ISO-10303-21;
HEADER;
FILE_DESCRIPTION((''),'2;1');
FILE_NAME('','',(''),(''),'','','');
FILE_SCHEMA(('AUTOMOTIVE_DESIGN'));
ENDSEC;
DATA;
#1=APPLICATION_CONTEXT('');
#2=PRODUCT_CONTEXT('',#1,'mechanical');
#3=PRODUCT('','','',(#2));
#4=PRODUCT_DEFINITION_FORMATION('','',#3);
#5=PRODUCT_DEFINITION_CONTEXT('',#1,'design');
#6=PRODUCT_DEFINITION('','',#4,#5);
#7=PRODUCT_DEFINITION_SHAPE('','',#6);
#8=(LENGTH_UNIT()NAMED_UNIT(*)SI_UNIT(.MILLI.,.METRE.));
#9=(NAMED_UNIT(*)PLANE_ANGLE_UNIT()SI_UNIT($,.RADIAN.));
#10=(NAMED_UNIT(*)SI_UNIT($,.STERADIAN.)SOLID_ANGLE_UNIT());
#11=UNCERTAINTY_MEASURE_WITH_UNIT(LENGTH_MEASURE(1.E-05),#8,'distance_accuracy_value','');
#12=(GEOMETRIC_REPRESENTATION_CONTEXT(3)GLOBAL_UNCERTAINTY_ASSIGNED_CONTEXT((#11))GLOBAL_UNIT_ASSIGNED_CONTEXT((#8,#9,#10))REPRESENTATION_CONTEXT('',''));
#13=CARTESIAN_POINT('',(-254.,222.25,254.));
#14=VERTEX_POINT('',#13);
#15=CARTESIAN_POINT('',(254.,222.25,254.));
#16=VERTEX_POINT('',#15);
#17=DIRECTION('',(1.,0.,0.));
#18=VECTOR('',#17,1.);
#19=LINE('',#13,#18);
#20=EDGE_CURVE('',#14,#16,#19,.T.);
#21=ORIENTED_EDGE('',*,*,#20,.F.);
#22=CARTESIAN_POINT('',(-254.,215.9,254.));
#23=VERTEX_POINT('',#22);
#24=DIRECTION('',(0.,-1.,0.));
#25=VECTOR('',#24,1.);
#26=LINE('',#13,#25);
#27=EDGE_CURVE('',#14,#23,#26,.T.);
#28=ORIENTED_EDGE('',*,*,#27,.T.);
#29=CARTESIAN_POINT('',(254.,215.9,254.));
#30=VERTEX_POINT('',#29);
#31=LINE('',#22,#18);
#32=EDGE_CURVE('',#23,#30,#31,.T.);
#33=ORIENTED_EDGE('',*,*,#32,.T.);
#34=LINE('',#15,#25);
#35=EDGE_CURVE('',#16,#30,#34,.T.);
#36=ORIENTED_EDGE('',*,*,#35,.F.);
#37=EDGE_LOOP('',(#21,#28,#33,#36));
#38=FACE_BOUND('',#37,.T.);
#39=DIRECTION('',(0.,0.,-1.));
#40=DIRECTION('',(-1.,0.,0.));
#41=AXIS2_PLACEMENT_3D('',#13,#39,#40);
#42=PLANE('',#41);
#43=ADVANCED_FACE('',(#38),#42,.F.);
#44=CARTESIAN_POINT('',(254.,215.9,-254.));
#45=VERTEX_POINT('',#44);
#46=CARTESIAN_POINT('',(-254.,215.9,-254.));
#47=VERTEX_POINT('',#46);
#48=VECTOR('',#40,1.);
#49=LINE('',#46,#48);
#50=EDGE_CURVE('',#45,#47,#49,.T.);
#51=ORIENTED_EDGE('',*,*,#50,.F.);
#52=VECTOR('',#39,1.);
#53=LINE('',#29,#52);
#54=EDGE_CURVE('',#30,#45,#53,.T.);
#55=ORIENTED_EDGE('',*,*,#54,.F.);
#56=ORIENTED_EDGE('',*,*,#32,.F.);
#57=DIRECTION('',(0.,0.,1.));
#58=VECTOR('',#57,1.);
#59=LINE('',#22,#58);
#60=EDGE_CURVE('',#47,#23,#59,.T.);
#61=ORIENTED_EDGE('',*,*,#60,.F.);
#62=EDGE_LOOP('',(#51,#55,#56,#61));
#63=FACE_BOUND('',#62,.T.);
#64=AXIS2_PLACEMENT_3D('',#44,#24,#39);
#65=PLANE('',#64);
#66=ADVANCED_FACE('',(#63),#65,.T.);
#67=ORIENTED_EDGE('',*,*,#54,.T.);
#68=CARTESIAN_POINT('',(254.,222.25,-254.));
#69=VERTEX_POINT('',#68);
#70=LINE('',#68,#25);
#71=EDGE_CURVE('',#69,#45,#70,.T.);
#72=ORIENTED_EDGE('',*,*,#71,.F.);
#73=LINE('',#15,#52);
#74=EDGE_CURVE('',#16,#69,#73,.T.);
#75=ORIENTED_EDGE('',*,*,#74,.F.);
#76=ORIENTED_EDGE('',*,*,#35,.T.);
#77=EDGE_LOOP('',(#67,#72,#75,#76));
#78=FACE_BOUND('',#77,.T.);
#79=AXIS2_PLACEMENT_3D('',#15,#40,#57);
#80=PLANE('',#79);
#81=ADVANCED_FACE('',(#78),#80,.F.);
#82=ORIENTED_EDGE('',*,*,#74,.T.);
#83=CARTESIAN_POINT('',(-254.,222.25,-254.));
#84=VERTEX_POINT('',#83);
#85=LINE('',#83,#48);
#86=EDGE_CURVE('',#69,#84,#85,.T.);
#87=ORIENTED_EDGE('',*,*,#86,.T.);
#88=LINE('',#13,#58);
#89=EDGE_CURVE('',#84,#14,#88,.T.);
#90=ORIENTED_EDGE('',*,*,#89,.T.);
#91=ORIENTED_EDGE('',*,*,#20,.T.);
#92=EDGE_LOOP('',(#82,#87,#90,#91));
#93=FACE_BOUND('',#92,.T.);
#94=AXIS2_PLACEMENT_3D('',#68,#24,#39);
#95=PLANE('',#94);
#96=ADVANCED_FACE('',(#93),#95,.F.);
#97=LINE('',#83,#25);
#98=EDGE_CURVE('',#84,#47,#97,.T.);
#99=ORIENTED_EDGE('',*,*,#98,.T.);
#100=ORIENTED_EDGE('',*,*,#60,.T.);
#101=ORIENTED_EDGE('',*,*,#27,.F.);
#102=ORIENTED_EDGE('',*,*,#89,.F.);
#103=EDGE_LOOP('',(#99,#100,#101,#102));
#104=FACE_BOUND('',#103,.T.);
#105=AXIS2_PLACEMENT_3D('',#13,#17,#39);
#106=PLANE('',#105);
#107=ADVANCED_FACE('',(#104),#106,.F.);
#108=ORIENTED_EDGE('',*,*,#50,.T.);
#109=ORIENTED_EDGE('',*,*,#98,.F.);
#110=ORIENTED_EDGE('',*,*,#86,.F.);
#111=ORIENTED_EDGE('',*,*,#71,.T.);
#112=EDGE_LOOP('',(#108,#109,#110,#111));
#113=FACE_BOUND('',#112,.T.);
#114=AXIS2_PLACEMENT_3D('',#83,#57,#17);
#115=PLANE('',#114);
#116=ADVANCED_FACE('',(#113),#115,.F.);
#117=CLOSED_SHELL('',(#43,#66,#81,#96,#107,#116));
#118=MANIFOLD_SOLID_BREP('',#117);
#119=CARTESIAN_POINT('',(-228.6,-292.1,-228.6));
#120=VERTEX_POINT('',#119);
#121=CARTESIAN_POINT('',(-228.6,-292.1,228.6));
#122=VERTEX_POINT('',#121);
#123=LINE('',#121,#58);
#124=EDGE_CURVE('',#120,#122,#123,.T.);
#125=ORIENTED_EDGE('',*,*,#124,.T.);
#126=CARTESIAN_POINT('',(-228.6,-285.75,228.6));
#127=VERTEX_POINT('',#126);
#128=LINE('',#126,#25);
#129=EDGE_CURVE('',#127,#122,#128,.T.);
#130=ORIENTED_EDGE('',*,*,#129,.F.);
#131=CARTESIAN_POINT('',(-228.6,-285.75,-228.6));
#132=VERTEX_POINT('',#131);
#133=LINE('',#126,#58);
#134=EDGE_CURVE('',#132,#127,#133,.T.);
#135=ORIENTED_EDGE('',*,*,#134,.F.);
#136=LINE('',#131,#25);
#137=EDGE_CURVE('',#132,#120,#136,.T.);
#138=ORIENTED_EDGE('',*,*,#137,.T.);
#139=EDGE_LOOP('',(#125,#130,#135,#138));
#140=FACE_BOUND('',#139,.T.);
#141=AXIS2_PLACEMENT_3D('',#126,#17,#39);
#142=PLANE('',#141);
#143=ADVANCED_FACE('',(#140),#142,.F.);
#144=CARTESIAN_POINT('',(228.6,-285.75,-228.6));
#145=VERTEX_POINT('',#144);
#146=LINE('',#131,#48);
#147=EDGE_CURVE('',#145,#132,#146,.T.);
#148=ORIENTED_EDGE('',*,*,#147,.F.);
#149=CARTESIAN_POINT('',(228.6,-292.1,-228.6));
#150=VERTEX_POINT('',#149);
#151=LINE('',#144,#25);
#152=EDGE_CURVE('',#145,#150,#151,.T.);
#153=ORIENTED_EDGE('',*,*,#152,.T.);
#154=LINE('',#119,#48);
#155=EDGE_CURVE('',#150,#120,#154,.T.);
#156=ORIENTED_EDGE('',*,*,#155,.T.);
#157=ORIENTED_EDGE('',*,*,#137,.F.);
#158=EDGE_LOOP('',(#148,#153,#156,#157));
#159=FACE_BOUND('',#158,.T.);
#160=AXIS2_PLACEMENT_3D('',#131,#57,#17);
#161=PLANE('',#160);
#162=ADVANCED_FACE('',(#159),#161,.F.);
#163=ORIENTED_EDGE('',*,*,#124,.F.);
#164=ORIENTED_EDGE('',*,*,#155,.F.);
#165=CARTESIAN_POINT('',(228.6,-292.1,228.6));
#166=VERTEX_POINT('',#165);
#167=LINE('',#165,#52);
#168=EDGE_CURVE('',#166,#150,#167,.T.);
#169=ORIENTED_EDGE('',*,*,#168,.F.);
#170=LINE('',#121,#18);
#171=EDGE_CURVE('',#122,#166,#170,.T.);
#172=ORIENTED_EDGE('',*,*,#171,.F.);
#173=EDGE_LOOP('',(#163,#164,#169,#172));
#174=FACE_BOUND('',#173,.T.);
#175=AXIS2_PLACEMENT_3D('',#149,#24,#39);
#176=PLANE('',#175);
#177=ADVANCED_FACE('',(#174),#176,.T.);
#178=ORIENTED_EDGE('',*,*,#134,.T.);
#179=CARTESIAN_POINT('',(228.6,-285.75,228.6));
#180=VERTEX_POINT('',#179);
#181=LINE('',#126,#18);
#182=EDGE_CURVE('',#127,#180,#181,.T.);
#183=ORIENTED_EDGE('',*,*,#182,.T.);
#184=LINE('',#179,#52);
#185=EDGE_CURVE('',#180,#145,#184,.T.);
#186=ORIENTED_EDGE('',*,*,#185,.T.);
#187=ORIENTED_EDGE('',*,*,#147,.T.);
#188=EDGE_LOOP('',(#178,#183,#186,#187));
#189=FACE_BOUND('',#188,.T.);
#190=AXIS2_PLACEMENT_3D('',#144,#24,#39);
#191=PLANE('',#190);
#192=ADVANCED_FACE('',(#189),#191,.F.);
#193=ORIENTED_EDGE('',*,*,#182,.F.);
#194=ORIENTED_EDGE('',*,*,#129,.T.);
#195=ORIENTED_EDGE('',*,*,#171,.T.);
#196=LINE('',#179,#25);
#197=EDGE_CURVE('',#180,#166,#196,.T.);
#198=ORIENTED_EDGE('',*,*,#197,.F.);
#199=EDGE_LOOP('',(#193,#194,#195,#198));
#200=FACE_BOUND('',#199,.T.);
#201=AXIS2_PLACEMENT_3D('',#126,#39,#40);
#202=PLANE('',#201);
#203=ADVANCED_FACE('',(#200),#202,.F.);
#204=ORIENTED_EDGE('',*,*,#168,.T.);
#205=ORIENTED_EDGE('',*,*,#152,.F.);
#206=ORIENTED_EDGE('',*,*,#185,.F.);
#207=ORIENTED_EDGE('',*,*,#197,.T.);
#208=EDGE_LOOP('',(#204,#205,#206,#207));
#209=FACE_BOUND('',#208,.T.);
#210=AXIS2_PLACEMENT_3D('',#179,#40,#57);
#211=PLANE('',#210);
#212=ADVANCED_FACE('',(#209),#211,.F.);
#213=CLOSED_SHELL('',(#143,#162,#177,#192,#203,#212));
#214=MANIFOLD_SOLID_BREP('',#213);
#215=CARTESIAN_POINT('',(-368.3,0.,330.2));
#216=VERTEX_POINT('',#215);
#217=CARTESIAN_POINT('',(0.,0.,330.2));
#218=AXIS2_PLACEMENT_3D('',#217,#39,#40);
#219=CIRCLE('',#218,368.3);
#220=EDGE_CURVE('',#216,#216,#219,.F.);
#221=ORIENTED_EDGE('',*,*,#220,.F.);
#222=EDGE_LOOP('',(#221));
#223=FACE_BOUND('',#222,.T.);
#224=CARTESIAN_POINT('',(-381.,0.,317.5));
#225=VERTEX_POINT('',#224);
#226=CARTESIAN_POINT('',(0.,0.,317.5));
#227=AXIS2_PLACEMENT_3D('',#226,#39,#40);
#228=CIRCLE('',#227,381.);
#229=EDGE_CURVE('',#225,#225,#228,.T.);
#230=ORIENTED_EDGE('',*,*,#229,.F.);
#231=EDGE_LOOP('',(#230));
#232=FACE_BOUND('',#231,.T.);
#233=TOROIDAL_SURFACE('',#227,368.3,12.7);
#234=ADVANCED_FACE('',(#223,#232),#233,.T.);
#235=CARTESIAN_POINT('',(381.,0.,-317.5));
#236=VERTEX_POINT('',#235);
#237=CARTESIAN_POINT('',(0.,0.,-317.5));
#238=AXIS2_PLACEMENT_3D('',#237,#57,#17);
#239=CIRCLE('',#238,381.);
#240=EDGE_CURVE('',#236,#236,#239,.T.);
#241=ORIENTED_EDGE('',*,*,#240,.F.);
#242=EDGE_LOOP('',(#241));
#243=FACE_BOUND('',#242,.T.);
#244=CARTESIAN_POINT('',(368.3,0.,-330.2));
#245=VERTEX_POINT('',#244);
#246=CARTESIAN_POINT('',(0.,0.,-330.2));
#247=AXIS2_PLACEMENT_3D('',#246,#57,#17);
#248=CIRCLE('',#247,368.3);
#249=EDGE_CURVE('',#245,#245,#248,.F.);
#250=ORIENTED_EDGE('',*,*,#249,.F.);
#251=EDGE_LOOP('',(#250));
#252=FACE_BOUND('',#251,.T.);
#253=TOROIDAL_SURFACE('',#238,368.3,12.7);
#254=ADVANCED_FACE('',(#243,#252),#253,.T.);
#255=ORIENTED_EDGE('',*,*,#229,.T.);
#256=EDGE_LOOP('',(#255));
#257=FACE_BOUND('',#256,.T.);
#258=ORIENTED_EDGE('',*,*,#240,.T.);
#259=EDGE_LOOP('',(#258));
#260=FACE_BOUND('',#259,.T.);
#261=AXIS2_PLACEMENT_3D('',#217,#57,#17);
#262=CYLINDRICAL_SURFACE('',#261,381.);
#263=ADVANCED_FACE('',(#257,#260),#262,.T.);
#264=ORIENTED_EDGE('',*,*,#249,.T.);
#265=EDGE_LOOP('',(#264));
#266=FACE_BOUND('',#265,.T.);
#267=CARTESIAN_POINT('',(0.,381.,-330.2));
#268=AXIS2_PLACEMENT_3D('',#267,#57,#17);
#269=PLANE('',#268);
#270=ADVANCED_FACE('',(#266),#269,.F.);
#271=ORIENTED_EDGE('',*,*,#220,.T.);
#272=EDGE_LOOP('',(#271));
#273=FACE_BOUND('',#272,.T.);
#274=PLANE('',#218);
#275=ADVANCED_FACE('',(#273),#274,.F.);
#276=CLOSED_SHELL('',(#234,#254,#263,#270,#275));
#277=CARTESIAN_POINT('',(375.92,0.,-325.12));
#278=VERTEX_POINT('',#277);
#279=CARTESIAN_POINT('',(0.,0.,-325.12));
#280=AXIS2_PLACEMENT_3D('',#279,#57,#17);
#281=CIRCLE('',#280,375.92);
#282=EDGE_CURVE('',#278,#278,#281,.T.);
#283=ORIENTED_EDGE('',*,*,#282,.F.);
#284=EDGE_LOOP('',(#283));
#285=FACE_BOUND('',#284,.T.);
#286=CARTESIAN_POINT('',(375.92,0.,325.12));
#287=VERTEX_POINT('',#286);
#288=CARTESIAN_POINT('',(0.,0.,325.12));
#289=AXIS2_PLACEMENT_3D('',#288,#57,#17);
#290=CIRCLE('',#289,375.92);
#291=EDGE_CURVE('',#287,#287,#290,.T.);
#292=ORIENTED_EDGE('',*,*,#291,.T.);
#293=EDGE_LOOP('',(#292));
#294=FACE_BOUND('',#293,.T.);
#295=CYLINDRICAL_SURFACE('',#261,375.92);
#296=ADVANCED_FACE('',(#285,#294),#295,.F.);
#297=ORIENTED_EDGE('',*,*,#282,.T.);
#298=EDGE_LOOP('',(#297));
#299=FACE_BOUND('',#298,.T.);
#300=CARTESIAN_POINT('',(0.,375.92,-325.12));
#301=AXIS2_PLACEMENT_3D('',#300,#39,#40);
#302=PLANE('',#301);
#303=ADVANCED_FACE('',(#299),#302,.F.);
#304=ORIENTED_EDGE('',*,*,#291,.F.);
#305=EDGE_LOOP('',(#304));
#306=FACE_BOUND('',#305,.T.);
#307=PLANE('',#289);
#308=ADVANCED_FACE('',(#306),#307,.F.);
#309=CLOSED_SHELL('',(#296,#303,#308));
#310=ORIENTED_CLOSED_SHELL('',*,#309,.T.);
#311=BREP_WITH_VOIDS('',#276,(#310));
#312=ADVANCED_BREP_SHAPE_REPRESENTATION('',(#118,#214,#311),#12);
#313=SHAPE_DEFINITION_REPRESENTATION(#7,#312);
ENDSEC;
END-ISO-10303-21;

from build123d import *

# Parameters (mm, degrees)
FILLET1_R           = 12.7
SKETCH4_W           = 508
SKETCH4_H           = 508
BOSS_EXTRUDE1_DEPTH = 6.35
SKETCH5_W           = 457.2
SKETCH5_H           = 457.2
BOSS_EXTRUDE2_DEPTH = 6.35


with BuildPart() as part:
    # Sketch2 → Revolve1 (revolve)
    with BuildSketch(Plane(origin=(0, 0, 0), x_dir=(0, 0, -1), z_dir=(1, 0, 0)), mode=Mode.PRIVATE) as revolve1_sk:
        Polygon((-330.2, 0), (-330.2, 381), (330.2, 381), (330.2, 0), (325.12, 0), (325.12, 375.92), (-325.12, 375.92), (-325.12, 0), align=None)
    revolve(revolve1_sk.sketch.rotate(Axis((0, 0, 330.2), (0, 0, -1)), 90), axis=Axis((0, 0, 330.2), (0, 0, -1)))

    # Fillet1
    fillet1_edges = [part.edges().sort_by_distance(p)[0] for p in [
        (-381, 0, 330.2),
        (-381, 0, -330.2),
    ]]
    fillet(fillet1_edges, radius=FILLET1_R)


with BuildPart() as body_2:
    # Sketch4 → Boss-Extrude1 (new body)
    with BuildSketch(Plane(origin=(0, 215.9, 0), x_dir=(-1, 0, 0), z_dir=(0, 1, 0))):
        Rectangle(SKETCH4_W, SKETCH4_H)
    extrude(amount=BOSS_EXTRUDE1_DEPTH)


with BuildPart() as body_3:
    # Sketch5 → Boss-Extrude2 (new body)
    with BuildSketch(Plane(origin=(0, -292.1, 0), x_dir=(-1, 0, 0), z_dir=(0, 1, 0))):
        Rectangle(SKETCH5_W, SKETCH5_H)
    extrude(amount=BOSS_EXTRUDE2_DEPTH)


solid = Compound([part.part, body_2.part, body_3.part])
